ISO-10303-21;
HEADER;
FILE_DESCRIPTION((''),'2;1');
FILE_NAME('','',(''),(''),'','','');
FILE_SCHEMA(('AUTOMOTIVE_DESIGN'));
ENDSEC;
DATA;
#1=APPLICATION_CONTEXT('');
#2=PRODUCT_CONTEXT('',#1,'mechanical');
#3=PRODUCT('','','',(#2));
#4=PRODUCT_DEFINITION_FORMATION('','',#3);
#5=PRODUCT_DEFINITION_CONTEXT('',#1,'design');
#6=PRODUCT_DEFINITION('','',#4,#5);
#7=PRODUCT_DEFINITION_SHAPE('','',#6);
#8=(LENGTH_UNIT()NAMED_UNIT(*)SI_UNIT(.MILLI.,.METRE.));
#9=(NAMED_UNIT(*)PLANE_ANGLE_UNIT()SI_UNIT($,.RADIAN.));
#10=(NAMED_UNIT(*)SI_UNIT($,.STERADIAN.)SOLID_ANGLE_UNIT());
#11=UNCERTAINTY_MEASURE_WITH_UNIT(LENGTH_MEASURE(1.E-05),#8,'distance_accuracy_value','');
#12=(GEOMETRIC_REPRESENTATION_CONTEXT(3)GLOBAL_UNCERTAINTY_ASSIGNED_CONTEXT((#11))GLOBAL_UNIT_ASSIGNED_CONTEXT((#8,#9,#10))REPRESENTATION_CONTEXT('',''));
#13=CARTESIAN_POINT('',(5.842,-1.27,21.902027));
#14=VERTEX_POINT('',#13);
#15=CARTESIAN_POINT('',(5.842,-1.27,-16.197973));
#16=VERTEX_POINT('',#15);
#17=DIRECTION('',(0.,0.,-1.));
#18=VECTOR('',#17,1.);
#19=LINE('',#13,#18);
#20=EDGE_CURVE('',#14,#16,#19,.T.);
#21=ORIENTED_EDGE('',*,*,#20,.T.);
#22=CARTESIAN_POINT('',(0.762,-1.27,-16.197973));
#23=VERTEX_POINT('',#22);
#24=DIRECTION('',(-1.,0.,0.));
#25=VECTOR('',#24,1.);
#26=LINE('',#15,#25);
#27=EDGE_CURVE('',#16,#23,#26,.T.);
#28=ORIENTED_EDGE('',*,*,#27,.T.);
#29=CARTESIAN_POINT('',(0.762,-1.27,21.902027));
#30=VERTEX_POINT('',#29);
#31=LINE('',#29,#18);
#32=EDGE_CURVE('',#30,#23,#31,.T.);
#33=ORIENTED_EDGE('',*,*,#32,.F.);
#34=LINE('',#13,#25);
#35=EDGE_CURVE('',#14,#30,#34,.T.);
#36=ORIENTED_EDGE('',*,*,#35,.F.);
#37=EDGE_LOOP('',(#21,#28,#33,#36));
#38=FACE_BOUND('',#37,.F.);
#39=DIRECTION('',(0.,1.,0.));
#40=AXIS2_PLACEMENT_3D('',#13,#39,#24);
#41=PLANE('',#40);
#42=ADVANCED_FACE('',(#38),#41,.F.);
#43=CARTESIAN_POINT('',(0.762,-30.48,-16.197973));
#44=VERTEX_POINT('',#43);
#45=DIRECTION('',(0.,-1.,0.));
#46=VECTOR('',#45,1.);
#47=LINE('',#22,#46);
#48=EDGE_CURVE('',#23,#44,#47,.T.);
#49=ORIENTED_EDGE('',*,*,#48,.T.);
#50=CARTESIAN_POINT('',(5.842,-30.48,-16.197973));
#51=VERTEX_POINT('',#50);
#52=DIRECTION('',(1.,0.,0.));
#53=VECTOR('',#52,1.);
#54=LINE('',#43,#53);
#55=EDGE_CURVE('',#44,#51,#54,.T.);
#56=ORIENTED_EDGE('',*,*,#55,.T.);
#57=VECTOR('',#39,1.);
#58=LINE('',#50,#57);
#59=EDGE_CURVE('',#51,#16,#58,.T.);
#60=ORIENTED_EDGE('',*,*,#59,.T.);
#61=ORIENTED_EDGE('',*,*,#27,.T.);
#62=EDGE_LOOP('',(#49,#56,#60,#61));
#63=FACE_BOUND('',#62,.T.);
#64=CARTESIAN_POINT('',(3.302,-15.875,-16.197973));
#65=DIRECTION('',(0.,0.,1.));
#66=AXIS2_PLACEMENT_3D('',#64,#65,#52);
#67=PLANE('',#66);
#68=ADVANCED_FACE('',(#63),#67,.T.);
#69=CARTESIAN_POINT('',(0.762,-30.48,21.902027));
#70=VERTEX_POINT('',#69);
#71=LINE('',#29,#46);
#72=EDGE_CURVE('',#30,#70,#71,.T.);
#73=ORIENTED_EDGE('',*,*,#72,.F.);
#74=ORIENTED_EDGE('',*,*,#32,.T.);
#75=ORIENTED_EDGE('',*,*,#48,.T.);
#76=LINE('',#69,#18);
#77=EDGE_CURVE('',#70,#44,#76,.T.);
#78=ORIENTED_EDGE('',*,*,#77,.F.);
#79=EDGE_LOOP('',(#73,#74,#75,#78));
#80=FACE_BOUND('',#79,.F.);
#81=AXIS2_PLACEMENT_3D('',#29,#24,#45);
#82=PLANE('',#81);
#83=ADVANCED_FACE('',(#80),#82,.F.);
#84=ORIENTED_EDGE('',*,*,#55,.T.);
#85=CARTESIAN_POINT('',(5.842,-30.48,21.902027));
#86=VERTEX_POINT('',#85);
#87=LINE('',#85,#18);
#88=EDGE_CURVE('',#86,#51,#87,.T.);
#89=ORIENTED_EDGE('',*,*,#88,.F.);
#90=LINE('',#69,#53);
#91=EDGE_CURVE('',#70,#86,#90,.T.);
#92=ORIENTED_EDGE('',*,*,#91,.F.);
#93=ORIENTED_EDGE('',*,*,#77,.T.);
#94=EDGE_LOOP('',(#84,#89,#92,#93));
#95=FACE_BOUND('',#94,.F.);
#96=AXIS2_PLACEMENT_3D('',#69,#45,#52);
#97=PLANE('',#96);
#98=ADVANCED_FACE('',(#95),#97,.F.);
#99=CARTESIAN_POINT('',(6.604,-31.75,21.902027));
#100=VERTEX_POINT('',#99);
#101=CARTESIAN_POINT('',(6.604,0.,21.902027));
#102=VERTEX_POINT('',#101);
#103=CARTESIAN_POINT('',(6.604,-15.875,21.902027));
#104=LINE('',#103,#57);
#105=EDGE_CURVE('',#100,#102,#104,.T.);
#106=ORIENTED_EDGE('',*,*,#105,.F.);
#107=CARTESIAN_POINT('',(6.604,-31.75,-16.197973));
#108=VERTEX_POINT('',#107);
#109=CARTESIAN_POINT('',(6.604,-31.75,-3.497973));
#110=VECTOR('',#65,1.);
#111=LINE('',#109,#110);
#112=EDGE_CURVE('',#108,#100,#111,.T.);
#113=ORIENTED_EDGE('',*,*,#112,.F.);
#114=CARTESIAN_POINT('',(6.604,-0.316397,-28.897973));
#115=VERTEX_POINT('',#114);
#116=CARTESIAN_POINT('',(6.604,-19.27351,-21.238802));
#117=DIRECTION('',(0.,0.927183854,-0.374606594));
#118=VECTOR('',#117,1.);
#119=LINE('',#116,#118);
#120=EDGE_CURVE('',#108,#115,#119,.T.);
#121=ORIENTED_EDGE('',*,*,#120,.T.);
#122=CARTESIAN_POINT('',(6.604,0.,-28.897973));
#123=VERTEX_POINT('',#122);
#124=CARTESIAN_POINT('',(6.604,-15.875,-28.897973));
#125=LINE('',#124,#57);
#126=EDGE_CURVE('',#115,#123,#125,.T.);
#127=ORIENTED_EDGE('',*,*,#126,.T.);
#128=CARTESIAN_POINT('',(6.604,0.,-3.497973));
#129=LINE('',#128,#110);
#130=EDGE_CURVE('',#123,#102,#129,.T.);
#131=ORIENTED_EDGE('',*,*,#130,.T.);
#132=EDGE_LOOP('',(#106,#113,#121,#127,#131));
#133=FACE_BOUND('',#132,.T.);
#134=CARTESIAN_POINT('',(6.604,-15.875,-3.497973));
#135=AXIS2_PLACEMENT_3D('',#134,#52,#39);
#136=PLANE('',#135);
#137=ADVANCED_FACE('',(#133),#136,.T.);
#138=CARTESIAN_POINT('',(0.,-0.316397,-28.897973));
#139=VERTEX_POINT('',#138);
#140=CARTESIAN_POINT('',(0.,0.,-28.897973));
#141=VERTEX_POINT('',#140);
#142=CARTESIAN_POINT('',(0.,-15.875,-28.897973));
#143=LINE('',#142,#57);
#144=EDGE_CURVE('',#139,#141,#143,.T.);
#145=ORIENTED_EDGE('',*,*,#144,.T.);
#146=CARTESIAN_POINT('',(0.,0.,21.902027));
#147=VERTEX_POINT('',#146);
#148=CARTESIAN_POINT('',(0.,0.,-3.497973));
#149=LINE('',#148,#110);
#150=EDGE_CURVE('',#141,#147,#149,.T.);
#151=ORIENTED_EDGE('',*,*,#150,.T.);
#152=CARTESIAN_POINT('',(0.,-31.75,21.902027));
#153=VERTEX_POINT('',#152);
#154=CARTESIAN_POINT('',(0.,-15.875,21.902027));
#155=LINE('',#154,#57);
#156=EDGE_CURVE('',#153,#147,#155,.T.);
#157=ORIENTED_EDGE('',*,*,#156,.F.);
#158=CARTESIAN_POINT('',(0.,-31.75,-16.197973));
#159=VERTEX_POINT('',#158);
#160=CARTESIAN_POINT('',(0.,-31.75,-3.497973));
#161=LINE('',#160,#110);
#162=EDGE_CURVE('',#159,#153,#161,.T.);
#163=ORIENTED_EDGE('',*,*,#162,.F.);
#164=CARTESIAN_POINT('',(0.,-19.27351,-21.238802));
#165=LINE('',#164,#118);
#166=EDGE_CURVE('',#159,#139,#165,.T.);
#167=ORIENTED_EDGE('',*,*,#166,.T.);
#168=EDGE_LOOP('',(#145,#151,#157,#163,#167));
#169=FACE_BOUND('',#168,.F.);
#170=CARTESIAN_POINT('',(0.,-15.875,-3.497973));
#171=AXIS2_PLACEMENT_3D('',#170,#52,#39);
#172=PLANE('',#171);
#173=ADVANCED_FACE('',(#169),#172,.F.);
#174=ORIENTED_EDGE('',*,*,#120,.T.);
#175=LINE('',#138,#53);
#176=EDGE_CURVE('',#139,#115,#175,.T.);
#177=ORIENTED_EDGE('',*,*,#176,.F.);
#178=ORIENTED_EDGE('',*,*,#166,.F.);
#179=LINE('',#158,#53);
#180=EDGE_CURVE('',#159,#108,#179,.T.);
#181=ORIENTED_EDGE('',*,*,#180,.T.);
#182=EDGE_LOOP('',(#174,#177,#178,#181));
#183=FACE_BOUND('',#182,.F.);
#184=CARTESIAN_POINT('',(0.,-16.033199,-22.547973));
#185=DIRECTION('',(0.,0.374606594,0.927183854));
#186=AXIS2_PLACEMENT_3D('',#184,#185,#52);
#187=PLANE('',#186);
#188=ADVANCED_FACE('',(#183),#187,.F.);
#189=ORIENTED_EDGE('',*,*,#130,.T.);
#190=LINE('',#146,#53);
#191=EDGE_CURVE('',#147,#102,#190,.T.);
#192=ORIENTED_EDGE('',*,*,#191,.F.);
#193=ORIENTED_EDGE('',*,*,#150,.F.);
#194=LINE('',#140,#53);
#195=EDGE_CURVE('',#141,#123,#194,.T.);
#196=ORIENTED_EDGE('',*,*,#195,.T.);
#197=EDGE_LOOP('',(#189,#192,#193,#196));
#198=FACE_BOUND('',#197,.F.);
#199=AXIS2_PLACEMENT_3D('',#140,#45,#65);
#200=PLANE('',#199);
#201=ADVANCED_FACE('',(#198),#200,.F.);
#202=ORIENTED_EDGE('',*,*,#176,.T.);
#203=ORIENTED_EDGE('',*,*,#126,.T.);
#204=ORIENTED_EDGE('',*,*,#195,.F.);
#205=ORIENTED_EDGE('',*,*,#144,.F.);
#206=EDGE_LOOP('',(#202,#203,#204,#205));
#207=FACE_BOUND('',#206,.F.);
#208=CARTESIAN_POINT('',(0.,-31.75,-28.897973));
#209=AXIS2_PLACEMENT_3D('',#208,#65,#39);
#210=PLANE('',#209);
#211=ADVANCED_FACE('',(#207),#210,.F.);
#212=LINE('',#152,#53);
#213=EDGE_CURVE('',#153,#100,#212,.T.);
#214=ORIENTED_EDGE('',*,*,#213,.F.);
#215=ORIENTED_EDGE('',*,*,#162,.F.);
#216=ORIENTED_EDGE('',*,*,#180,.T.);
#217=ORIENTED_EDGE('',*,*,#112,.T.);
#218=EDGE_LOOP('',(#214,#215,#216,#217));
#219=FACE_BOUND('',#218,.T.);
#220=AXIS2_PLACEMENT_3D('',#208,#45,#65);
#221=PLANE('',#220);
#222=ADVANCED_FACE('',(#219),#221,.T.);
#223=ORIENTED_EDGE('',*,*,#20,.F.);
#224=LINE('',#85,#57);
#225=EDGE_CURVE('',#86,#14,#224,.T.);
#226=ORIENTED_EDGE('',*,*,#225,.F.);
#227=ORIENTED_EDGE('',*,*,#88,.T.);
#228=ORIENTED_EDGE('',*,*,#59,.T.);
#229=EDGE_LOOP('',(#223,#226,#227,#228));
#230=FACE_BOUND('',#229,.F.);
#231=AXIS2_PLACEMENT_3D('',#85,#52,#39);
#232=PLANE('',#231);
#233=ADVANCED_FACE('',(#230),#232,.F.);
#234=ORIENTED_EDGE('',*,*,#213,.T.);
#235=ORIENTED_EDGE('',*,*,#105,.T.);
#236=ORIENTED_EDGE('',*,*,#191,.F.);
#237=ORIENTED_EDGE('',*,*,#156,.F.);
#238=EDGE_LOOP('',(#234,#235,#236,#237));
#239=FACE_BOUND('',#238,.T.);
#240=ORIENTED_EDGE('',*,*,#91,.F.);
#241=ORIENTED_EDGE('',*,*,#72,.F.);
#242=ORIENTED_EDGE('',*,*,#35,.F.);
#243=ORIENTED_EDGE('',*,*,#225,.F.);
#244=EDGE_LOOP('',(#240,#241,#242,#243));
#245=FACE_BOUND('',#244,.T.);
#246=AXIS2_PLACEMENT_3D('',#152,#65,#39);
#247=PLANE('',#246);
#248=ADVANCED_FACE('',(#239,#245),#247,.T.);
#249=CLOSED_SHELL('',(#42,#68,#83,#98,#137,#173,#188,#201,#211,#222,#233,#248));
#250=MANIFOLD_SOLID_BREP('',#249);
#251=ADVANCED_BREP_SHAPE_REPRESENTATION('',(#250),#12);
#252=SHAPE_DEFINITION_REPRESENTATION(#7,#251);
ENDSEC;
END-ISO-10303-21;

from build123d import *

# Parameters (mm, degrees)
F0_W     = 31.75
F0_H     = 50.8
F1_DEPTH = 6.604
F2_SIZE2 = 31.433603
F2_SIZE  = 12.7
F4_DEPTH = 38.1


with BuildPart() as f1:
    # F0 (on Right) → F1 (new body)
    with BuildSketch(Plane.YZ):
        with Locations((-15.875, -3.497973)):
            Rectangle(F0_W, F0_H)
    extrude(amount=F1_DEPTH)

    # F2
    f2_edges = [f1.edges().sort_by_distance(p)[0] for p in [
        (3.302, -31.75, -28.897973),
    ]]
    chamfer(f2_edges, length=F2_SIZE, length2=F2_SIZE2)

    # F3 (on face) → F4 (cut)
    with BuildSketch(Plane.XY.offset(21.902027)):
        Polygon((0.762, -30.48), (3.302, -30.48), (5.842, -30.48), (5.842, -1.27), (3.302, -1.27), (0.762, -1.27), align=None)
    extrude(amount=-F4_DEPTH, mode=Mode.SUBTRACT)


solid = f1.part
